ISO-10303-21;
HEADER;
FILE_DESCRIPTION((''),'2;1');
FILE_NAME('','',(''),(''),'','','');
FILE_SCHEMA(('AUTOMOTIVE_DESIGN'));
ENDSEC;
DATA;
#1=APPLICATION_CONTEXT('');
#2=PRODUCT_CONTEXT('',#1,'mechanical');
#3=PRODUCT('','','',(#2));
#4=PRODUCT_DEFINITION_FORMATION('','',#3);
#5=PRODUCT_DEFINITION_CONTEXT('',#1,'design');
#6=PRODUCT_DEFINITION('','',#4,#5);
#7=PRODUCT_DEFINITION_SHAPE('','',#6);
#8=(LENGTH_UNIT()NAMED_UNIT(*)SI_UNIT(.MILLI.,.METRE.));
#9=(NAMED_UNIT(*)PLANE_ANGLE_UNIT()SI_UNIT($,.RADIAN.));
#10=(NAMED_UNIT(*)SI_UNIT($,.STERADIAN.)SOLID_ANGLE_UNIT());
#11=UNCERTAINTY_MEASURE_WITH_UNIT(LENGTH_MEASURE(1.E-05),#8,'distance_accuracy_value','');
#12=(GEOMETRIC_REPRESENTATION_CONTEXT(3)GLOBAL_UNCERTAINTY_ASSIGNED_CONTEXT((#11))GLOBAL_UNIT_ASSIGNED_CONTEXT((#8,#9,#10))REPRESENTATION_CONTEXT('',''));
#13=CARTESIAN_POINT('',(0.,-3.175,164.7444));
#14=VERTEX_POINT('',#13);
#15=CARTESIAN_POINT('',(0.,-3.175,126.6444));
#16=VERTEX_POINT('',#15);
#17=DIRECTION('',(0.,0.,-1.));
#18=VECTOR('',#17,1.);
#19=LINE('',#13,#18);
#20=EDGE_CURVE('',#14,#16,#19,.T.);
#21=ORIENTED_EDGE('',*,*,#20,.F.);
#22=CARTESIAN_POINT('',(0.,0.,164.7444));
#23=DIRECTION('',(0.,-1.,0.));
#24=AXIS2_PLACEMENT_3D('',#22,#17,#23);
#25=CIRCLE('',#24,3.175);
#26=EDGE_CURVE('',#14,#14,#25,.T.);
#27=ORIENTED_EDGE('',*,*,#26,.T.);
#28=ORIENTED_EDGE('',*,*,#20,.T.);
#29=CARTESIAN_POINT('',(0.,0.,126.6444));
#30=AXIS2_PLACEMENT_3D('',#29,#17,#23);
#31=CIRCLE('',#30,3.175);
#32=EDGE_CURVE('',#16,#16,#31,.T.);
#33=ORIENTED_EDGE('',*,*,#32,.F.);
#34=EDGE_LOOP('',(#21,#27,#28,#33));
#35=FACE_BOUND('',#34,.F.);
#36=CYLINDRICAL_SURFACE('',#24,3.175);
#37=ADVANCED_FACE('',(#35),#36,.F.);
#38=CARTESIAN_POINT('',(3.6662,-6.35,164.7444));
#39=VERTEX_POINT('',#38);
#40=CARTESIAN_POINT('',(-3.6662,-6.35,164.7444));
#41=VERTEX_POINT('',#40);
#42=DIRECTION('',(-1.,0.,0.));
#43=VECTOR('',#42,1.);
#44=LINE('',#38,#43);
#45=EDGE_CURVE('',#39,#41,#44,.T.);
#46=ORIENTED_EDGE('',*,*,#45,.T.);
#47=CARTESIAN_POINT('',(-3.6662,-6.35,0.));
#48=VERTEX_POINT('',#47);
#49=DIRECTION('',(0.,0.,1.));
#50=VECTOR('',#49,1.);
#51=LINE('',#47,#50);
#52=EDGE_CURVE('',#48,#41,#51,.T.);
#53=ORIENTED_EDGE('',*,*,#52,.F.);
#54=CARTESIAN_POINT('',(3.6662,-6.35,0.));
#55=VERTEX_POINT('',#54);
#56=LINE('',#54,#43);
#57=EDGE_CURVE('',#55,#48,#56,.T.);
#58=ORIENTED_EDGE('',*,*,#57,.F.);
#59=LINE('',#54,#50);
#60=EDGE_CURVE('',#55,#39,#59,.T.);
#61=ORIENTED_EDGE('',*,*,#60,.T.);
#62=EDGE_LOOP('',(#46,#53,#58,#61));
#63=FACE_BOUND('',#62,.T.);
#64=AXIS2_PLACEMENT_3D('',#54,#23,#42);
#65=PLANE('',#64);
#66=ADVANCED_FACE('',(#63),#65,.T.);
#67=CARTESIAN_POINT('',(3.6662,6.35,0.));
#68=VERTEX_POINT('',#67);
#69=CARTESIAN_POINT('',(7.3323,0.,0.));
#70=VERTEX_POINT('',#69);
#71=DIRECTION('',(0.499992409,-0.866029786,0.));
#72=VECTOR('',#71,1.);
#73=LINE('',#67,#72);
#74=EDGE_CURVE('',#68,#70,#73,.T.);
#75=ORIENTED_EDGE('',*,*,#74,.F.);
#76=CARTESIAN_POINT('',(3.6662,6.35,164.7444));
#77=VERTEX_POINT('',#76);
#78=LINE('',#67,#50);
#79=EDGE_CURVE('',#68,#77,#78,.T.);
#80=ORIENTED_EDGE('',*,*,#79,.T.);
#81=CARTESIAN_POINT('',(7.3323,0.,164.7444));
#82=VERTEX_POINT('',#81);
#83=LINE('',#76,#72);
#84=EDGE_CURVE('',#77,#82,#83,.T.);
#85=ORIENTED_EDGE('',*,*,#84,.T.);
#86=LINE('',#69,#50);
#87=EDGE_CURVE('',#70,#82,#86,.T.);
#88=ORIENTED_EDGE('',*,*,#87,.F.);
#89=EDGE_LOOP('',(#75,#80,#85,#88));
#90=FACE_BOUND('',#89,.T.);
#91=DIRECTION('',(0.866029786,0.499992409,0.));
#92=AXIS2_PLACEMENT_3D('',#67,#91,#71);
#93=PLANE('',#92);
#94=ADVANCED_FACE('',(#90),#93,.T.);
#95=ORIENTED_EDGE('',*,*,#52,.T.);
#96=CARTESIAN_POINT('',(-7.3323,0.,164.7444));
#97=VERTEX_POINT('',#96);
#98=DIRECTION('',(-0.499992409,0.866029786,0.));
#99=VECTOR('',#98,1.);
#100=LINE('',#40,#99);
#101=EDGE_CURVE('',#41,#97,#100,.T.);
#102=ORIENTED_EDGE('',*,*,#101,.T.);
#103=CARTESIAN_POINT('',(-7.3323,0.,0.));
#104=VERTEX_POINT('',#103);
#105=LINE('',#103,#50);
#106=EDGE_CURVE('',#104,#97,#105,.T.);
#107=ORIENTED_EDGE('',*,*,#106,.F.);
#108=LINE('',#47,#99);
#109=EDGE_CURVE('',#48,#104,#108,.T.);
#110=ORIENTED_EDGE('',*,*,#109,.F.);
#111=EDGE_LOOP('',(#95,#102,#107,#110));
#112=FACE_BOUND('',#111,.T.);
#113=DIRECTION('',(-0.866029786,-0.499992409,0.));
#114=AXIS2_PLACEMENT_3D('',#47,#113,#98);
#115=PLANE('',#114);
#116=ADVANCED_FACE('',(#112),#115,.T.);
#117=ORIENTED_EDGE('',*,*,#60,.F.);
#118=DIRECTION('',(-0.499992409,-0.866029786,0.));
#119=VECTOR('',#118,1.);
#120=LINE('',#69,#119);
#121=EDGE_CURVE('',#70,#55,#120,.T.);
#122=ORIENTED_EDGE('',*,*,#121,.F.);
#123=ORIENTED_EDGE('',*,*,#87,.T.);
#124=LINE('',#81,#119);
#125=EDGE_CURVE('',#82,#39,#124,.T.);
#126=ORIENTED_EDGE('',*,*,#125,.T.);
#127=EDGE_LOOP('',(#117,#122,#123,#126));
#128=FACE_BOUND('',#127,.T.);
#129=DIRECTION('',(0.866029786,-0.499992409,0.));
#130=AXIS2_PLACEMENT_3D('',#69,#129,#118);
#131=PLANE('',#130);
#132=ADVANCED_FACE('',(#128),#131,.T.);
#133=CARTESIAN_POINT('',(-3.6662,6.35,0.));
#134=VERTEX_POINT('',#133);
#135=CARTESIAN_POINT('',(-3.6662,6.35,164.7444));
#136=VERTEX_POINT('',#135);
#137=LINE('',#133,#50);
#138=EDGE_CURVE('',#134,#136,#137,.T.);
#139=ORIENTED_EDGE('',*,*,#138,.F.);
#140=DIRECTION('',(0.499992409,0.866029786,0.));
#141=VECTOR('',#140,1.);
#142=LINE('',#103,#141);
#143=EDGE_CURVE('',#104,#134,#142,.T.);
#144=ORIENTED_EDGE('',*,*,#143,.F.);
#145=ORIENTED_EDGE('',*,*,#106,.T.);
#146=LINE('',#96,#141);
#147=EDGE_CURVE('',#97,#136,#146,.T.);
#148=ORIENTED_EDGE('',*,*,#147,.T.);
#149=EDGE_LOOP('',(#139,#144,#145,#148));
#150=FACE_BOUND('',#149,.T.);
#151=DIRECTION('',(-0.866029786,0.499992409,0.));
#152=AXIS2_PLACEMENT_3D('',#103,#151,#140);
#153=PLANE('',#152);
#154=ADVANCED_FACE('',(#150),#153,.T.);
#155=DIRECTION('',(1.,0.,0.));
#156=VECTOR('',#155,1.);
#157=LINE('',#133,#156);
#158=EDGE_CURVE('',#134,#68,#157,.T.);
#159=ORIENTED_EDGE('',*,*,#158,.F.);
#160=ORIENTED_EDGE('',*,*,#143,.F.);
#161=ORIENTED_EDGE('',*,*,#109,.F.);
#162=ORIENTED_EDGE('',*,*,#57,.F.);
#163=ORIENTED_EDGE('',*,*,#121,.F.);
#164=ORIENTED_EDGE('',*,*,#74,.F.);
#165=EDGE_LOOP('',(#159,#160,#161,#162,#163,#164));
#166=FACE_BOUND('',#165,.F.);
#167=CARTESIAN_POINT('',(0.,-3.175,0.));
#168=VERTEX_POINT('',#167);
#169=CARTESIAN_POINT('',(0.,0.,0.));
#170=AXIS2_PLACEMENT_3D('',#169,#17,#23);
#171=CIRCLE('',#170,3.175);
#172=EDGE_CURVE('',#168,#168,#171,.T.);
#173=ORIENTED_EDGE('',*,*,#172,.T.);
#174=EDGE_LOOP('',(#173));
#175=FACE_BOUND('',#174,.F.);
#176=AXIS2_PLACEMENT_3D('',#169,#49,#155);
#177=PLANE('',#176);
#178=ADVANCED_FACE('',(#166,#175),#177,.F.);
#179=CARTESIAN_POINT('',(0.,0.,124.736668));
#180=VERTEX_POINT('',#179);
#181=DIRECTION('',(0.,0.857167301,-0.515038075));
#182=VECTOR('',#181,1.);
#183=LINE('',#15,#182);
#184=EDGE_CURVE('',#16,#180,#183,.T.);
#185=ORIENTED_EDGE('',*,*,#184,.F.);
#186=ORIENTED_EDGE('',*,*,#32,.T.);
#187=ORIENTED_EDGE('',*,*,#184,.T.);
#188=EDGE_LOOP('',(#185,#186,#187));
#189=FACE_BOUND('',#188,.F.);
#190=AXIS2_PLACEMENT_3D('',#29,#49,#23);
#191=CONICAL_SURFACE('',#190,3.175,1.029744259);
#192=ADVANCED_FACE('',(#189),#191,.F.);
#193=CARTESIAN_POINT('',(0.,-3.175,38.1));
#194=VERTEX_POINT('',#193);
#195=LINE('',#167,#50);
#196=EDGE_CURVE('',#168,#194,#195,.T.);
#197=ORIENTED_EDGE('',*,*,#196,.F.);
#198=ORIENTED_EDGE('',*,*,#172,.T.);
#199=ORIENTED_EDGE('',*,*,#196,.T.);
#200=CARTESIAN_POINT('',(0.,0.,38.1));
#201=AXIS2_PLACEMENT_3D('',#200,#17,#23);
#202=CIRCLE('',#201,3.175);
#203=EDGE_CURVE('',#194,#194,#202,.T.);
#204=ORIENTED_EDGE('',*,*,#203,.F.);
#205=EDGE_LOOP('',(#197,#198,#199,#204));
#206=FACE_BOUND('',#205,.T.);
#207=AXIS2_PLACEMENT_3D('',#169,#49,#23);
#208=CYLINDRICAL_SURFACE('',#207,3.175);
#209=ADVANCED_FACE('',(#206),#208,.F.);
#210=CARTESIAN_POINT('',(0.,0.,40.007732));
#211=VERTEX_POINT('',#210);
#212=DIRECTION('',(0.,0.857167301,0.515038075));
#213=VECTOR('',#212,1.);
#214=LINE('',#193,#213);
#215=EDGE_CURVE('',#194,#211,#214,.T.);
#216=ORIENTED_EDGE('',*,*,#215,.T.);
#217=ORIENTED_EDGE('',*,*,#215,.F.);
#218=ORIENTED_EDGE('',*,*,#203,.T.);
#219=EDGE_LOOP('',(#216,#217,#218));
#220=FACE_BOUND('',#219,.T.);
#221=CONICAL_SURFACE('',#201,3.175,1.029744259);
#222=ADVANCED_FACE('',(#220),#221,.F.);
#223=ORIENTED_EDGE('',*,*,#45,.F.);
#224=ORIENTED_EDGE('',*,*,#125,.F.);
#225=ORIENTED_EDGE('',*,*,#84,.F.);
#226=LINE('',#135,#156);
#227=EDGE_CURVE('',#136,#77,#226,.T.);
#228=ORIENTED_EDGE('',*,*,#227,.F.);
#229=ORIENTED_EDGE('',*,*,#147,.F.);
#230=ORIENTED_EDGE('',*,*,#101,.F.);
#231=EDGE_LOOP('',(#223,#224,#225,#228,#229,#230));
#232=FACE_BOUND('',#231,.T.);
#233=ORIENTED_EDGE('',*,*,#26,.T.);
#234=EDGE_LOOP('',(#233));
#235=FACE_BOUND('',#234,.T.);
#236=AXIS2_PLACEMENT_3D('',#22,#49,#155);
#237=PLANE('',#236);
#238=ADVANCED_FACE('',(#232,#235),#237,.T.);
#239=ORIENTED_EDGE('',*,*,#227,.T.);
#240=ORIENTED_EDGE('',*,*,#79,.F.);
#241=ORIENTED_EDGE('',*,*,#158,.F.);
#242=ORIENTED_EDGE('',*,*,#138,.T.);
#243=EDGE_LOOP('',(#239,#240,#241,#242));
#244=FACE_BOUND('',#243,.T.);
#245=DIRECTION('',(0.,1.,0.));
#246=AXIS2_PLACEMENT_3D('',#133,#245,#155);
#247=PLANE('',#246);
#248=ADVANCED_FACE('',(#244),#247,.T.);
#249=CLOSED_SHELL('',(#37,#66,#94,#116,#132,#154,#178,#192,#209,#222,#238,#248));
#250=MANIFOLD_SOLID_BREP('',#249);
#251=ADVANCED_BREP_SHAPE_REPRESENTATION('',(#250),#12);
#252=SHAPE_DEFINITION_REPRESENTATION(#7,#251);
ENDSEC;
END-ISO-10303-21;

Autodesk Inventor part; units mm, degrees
ref_plane "YZ Plane" through (0, 0, 0) normal (1, 0, 0) x (0, 1, 0)
ref_plane "XZ Plane" through (0, 0, 0) normal (0, 1, 0) x (-1, 0, 0)
sketch "Sketch1" plane through (0, 0, 0) normal (0, 0, 1) x (1, 0, 0)
  line L0 (-3.6662, 6.35) -> (3.6662, 6.35)
  line L1 (3.6662, 6.35) -> (7.3323, 0)
  line L2 (7.3323, 0) -> (3.6662, -6.35)
  line L3 (3.6662, -6.35) -> (-3.6662, -6.35)
  line L4 (-3.6662, -6.35) -> (-7.3323, 0)
  line L5 (-7.3323, 0) -> (-3.6662, 6.35)
  point P0 (0, 0)
  point P1 (0, 0)
  dimension "d0" = 12.7
extrude "Extrusion1" add sketch "Sketch1" along normal blind 164.7444
ref_plane "Work Plane1" through (0, 0, 82.3722) normal (0, 0, -1) x (-1, 0, 0)
sketch "Sketch2" plane through (0, 0, 164.7444) normal (0, 0, 1) x (1, 0, 0)
  point P0 (0, 0)
  point P1 (0, 0)
hole "Hole1" at (0, 0, 164.7444) direction (0, 0, -1) diameter 6.35 depth 38.1 tip angle 118
thread "Thread1" size "1/4-20 UNC" class "2B" standard "ANSI Unified Screw Threads" full length
mirror "Mirror1" about plane through (0, 0, 82.3722) normal (0, 0, -1) of "Hole1"
properties part number "Steel Shaft for Jeep" material "Steel, Carbon"
